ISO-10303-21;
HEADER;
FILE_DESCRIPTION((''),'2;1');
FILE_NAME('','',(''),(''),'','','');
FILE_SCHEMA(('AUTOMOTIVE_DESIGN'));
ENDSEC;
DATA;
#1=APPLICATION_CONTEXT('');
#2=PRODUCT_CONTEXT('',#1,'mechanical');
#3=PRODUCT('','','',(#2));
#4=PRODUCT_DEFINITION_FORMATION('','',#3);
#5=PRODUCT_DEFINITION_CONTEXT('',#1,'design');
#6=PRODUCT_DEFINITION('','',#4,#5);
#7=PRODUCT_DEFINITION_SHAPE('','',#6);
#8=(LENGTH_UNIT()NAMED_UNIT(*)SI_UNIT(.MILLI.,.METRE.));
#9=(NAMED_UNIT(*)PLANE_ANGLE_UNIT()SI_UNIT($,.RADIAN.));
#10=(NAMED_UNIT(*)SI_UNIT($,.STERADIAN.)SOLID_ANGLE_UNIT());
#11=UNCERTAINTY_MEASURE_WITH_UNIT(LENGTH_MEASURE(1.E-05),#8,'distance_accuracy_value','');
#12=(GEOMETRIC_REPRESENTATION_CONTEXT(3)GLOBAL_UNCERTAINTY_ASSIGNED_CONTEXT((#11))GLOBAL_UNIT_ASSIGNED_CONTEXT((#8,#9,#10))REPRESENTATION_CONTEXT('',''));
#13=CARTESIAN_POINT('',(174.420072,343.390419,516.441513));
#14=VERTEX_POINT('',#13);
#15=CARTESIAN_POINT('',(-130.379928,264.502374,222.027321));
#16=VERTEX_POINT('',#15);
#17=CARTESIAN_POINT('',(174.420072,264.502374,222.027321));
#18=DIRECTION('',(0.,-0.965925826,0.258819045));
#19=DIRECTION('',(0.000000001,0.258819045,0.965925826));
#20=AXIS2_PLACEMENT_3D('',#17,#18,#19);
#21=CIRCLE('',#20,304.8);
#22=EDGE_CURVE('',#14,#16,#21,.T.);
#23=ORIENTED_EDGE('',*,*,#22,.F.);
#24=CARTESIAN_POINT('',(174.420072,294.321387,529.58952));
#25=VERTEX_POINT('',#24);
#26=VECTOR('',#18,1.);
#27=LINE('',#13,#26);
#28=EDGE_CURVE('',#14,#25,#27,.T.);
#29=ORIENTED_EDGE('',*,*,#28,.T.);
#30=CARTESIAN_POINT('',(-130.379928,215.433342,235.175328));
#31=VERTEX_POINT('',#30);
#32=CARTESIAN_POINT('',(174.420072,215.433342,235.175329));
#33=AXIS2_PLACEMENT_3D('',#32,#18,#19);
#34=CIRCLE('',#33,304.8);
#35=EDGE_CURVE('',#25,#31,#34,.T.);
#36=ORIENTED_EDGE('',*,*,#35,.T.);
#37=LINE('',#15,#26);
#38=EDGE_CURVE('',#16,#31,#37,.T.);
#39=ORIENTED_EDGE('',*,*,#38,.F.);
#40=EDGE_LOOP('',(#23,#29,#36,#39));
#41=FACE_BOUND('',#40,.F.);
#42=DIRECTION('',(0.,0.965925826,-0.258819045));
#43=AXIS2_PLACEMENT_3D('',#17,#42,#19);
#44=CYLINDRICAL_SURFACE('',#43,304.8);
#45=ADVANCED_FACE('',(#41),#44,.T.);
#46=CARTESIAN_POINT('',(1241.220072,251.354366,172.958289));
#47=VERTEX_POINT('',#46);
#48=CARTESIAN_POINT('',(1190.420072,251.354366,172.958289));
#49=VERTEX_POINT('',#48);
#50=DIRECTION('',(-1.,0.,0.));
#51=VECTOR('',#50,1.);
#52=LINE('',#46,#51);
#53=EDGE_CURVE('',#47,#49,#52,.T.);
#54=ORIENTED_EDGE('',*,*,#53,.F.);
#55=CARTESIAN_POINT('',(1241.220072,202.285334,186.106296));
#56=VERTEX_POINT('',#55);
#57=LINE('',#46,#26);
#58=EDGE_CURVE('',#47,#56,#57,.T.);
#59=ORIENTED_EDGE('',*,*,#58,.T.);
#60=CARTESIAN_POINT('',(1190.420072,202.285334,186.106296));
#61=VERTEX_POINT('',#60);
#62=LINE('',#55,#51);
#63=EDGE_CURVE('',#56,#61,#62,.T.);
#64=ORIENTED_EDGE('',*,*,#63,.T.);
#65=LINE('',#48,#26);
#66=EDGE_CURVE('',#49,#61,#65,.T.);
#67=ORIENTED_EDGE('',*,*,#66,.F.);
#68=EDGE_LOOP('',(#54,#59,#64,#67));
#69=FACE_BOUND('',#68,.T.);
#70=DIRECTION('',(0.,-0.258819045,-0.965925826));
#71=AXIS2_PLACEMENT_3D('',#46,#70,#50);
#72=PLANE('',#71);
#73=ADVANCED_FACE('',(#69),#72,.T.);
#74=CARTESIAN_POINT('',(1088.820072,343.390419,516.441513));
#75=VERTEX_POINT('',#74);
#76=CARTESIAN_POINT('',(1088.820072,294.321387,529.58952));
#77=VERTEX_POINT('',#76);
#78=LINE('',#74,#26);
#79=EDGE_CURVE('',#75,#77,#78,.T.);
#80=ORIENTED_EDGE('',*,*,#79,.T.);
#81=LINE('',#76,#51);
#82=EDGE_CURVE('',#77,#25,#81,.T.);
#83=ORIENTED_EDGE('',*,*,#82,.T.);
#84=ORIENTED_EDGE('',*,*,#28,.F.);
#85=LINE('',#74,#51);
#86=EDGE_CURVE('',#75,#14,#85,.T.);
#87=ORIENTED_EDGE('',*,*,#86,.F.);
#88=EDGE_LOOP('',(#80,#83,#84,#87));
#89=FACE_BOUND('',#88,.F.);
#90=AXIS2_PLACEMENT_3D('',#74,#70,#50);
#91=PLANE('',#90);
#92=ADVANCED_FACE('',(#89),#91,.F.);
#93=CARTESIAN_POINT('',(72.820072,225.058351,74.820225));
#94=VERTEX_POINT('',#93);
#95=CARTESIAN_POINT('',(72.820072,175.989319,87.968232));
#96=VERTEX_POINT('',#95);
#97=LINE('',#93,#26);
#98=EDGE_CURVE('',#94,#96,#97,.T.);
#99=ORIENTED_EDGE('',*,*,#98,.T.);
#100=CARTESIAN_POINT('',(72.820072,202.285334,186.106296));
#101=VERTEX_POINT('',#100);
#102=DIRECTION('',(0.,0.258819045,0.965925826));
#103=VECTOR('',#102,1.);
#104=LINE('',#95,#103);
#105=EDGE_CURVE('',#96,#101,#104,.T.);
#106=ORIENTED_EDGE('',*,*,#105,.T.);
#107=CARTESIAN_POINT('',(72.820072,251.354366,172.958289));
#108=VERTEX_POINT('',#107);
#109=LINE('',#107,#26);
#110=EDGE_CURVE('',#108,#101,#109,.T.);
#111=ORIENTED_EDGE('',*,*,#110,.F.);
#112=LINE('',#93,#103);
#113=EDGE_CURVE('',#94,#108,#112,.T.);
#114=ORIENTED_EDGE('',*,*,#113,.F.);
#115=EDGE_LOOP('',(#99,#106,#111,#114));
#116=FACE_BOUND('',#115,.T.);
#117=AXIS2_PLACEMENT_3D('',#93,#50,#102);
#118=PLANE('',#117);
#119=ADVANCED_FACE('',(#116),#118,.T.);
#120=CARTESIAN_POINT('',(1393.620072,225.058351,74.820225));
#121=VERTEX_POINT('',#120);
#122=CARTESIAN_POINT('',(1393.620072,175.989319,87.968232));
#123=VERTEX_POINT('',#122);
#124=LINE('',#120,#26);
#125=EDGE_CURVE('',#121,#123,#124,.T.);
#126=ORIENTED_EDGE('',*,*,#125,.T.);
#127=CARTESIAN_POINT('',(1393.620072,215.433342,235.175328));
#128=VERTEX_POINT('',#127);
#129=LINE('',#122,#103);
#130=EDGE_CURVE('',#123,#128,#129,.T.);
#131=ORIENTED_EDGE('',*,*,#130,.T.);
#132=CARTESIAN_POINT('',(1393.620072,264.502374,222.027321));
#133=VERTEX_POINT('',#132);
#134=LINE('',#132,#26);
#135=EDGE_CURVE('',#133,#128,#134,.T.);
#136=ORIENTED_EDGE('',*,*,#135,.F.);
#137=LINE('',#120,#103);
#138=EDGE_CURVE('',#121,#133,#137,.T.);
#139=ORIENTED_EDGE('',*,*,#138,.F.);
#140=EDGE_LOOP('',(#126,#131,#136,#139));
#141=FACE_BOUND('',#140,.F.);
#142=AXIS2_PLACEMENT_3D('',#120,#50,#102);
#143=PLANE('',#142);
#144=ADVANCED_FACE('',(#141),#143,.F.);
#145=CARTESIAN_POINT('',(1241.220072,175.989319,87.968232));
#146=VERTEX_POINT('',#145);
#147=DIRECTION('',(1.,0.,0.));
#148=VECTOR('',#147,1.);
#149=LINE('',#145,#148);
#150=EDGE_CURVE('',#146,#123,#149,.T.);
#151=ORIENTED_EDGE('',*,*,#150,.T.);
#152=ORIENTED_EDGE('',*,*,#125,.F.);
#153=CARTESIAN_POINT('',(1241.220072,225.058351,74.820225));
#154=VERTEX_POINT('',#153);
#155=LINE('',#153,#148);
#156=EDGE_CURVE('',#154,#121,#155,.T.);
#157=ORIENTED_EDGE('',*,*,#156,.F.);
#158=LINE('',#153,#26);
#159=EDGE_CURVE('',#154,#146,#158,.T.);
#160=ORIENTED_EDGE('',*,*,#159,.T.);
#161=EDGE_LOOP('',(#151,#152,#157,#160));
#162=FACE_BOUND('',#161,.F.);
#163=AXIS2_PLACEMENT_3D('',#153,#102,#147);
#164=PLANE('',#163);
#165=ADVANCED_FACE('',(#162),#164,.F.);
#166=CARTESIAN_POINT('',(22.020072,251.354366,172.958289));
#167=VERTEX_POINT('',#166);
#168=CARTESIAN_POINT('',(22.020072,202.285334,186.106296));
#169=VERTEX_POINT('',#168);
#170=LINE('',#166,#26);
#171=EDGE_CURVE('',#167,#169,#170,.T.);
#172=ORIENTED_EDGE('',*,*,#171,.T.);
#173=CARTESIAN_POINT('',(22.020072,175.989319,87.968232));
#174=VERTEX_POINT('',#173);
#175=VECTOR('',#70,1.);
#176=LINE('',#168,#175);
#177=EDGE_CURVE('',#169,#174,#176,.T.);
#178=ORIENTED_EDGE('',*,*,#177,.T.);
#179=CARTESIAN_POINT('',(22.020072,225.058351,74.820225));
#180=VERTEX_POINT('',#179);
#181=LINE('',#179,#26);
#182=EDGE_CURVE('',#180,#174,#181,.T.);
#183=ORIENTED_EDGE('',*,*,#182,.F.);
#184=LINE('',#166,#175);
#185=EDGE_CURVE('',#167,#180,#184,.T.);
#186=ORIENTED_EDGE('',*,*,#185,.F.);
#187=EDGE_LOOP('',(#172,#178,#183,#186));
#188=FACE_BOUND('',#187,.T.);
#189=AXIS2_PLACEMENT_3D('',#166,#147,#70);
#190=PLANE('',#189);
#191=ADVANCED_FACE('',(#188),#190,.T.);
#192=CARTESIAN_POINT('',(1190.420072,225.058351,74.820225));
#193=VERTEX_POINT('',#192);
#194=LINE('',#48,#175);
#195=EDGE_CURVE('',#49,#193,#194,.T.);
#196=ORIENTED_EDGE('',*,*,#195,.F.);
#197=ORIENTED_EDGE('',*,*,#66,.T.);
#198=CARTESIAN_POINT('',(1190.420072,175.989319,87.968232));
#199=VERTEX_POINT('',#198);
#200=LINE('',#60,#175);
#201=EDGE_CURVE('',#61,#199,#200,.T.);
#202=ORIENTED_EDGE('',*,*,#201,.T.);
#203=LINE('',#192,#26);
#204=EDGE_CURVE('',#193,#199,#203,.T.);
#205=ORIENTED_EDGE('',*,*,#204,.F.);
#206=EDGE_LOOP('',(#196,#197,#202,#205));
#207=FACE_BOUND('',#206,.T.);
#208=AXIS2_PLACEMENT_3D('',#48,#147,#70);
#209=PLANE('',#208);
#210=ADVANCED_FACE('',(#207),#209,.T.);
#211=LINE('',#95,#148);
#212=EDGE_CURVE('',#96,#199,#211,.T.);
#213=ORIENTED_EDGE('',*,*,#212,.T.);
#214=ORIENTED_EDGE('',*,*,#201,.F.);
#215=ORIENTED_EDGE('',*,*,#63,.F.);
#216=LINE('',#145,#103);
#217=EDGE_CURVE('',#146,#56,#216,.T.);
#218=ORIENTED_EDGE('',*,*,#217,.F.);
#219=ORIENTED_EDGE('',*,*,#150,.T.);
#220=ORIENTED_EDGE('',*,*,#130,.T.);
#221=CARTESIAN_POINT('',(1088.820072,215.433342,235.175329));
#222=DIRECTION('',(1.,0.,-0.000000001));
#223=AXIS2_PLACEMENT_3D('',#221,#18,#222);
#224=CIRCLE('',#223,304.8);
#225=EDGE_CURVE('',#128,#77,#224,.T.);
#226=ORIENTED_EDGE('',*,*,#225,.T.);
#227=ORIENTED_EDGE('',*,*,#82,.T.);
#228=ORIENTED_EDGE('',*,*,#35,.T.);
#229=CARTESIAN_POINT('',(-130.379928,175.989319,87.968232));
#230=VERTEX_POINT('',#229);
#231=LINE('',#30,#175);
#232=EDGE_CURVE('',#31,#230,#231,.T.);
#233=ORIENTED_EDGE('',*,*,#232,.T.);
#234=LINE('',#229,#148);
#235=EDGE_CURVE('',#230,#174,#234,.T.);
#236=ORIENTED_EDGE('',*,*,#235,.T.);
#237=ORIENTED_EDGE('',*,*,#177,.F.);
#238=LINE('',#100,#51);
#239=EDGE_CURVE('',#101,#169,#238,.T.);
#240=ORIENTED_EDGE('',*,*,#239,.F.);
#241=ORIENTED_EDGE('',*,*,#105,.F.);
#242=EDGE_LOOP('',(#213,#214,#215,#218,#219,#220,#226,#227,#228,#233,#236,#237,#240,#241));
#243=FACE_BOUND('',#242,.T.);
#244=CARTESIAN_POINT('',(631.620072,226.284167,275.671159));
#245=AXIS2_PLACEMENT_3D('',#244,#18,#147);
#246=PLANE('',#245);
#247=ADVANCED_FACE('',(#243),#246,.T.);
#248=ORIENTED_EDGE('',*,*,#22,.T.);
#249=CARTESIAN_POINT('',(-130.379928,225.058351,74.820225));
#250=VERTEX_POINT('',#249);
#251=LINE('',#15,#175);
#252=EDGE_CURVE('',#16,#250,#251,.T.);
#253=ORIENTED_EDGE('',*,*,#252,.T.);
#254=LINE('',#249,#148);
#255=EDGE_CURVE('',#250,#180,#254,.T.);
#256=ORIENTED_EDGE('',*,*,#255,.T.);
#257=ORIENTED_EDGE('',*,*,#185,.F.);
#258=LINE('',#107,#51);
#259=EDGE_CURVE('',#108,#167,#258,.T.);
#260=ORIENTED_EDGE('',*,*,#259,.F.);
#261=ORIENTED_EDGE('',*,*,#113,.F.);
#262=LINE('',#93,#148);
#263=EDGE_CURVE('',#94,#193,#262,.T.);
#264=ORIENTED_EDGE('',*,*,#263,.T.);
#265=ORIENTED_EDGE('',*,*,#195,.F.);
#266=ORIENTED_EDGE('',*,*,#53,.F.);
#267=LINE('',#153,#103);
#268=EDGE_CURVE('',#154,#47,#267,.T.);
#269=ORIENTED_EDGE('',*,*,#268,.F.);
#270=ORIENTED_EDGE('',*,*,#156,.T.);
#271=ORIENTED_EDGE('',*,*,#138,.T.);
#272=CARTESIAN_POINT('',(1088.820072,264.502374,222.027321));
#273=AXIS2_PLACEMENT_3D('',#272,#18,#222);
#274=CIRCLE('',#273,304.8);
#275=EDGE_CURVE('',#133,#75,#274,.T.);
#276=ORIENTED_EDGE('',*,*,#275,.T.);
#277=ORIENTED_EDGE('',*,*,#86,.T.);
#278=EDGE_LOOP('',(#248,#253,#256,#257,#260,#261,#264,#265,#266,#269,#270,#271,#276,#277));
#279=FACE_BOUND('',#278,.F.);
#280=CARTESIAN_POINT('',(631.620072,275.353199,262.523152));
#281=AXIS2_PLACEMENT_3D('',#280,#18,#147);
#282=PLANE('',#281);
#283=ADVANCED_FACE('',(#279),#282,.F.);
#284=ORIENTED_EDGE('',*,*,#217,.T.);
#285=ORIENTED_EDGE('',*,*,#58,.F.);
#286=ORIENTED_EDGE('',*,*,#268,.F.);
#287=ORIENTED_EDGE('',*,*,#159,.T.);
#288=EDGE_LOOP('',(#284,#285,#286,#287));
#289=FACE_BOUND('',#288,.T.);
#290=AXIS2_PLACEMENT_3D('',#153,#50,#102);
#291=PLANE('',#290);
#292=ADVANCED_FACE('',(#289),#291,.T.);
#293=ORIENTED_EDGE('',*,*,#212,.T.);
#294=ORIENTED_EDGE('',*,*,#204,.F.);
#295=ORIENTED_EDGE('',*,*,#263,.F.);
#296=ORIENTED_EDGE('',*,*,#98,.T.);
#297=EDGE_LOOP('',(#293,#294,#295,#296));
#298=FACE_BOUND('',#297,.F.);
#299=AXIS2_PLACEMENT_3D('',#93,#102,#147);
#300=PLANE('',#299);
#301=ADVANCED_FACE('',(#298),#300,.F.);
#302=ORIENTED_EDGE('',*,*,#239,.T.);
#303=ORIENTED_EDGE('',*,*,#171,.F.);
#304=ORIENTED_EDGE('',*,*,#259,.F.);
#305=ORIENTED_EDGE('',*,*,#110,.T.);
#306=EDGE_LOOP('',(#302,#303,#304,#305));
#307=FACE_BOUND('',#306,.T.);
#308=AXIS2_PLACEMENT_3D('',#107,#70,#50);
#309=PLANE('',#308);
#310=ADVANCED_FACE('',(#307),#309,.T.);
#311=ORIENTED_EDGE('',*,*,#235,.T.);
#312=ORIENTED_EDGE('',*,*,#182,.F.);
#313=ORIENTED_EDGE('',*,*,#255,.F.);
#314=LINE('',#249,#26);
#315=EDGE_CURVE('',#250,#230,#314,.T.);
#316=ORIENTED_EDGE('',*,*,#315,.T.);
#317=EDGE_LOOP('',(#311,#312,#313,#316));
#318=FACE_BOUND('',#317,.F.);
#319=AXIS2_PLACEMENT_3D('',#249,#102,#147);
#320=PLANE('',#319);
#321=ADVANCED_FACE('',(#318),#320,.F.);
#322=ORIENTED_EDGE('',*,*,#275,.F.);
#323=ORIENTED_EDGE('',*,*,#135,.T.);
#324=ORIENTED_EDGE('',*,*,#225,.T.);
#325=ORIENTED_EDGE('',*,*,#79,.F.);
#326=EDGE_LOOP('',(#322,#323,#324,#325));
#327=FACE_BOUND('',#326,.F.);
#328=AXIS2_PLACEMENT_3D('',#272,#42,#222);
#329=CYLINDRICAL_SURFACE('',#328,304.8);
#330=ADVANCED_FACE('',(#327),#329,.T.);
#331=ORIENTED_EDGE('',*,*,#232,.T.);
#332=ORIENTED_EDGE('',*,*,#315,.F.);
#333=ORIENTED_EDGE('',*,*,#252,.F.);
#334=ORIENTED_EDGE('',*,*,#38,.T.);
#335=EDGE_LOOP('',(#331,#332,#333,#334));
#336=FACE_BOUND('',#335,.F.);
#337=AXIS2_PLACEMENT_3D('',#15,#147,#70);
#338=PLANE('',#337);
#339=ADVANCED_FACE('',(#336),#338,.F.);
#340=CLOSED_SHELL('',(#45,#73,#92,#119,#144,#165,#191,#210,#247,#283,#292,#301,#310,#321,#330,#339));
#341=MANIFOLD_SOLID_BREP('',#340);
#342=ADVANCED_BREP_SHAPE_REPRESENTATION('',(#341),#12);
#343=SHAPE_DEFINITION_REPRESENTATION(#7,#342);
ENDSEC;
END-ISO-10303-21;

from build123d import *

# Parameters (mm, degrees)
PAD003_DEPTH            = 50.8
BODY003_PLACEMENT_ANGLE = 15


with BuildPart() as part:
    # Sketch003 → Pad003 (new body)
    with BuildSketch(Plane.XZ):
        with BuildLine():
            Line((-130.379928, 312.132536), (-130.379928, 159.732536))
            Line((-130.379928, 159.732536), (22.020072, 159.732536))
            Line((22.020072, 261.332536), (22.020072, 159.732536))
            Line((72.820072, 261.332536), (22.020072, 261.332536))
            Line((72.820072, 159.732536), (72.820072, 261.332536))
            Line((72.820072, 159.732536), (1190.420072, 159.732536))
            Line((1190.420072, 261.332536), (1190.420072, 159.732536))
            Line((1241.220072, 261.332536), (1190.420072, 261.332536))
            Line((1241.220072, 159.732536), (1241.220072, 261.332536))
            Line((1241.220072, 159.732536), (1393.620072, 159.732536))
            Line((1393.620072, 159.732536), (1393.620072, 312.132536))
            ThreePointArc((1393.620072, 312.132536), (1304.346219, 527.658683), (1088.820072, 616.932536))
            Line((1088.820072, 616.932536), (174.420072, 616.932536))
            ThreePointArc((174.420072, 616.932536), (-41.106075, 527.658683), (-130.379928, 312.132536))
        make_face()
    extrude(amount=PAD003_DEPTH)


with BuildPart() as part_1:
    # Body003 placement: moved
    add(part.part.moved(Location((0, 183.716529, -79.469557))).rotate(Axis((0, 183.716529, -79.469557), (-1, 0, 0)), BODY003_PLACEMENT_ANGLE))


solid = part_1.part
